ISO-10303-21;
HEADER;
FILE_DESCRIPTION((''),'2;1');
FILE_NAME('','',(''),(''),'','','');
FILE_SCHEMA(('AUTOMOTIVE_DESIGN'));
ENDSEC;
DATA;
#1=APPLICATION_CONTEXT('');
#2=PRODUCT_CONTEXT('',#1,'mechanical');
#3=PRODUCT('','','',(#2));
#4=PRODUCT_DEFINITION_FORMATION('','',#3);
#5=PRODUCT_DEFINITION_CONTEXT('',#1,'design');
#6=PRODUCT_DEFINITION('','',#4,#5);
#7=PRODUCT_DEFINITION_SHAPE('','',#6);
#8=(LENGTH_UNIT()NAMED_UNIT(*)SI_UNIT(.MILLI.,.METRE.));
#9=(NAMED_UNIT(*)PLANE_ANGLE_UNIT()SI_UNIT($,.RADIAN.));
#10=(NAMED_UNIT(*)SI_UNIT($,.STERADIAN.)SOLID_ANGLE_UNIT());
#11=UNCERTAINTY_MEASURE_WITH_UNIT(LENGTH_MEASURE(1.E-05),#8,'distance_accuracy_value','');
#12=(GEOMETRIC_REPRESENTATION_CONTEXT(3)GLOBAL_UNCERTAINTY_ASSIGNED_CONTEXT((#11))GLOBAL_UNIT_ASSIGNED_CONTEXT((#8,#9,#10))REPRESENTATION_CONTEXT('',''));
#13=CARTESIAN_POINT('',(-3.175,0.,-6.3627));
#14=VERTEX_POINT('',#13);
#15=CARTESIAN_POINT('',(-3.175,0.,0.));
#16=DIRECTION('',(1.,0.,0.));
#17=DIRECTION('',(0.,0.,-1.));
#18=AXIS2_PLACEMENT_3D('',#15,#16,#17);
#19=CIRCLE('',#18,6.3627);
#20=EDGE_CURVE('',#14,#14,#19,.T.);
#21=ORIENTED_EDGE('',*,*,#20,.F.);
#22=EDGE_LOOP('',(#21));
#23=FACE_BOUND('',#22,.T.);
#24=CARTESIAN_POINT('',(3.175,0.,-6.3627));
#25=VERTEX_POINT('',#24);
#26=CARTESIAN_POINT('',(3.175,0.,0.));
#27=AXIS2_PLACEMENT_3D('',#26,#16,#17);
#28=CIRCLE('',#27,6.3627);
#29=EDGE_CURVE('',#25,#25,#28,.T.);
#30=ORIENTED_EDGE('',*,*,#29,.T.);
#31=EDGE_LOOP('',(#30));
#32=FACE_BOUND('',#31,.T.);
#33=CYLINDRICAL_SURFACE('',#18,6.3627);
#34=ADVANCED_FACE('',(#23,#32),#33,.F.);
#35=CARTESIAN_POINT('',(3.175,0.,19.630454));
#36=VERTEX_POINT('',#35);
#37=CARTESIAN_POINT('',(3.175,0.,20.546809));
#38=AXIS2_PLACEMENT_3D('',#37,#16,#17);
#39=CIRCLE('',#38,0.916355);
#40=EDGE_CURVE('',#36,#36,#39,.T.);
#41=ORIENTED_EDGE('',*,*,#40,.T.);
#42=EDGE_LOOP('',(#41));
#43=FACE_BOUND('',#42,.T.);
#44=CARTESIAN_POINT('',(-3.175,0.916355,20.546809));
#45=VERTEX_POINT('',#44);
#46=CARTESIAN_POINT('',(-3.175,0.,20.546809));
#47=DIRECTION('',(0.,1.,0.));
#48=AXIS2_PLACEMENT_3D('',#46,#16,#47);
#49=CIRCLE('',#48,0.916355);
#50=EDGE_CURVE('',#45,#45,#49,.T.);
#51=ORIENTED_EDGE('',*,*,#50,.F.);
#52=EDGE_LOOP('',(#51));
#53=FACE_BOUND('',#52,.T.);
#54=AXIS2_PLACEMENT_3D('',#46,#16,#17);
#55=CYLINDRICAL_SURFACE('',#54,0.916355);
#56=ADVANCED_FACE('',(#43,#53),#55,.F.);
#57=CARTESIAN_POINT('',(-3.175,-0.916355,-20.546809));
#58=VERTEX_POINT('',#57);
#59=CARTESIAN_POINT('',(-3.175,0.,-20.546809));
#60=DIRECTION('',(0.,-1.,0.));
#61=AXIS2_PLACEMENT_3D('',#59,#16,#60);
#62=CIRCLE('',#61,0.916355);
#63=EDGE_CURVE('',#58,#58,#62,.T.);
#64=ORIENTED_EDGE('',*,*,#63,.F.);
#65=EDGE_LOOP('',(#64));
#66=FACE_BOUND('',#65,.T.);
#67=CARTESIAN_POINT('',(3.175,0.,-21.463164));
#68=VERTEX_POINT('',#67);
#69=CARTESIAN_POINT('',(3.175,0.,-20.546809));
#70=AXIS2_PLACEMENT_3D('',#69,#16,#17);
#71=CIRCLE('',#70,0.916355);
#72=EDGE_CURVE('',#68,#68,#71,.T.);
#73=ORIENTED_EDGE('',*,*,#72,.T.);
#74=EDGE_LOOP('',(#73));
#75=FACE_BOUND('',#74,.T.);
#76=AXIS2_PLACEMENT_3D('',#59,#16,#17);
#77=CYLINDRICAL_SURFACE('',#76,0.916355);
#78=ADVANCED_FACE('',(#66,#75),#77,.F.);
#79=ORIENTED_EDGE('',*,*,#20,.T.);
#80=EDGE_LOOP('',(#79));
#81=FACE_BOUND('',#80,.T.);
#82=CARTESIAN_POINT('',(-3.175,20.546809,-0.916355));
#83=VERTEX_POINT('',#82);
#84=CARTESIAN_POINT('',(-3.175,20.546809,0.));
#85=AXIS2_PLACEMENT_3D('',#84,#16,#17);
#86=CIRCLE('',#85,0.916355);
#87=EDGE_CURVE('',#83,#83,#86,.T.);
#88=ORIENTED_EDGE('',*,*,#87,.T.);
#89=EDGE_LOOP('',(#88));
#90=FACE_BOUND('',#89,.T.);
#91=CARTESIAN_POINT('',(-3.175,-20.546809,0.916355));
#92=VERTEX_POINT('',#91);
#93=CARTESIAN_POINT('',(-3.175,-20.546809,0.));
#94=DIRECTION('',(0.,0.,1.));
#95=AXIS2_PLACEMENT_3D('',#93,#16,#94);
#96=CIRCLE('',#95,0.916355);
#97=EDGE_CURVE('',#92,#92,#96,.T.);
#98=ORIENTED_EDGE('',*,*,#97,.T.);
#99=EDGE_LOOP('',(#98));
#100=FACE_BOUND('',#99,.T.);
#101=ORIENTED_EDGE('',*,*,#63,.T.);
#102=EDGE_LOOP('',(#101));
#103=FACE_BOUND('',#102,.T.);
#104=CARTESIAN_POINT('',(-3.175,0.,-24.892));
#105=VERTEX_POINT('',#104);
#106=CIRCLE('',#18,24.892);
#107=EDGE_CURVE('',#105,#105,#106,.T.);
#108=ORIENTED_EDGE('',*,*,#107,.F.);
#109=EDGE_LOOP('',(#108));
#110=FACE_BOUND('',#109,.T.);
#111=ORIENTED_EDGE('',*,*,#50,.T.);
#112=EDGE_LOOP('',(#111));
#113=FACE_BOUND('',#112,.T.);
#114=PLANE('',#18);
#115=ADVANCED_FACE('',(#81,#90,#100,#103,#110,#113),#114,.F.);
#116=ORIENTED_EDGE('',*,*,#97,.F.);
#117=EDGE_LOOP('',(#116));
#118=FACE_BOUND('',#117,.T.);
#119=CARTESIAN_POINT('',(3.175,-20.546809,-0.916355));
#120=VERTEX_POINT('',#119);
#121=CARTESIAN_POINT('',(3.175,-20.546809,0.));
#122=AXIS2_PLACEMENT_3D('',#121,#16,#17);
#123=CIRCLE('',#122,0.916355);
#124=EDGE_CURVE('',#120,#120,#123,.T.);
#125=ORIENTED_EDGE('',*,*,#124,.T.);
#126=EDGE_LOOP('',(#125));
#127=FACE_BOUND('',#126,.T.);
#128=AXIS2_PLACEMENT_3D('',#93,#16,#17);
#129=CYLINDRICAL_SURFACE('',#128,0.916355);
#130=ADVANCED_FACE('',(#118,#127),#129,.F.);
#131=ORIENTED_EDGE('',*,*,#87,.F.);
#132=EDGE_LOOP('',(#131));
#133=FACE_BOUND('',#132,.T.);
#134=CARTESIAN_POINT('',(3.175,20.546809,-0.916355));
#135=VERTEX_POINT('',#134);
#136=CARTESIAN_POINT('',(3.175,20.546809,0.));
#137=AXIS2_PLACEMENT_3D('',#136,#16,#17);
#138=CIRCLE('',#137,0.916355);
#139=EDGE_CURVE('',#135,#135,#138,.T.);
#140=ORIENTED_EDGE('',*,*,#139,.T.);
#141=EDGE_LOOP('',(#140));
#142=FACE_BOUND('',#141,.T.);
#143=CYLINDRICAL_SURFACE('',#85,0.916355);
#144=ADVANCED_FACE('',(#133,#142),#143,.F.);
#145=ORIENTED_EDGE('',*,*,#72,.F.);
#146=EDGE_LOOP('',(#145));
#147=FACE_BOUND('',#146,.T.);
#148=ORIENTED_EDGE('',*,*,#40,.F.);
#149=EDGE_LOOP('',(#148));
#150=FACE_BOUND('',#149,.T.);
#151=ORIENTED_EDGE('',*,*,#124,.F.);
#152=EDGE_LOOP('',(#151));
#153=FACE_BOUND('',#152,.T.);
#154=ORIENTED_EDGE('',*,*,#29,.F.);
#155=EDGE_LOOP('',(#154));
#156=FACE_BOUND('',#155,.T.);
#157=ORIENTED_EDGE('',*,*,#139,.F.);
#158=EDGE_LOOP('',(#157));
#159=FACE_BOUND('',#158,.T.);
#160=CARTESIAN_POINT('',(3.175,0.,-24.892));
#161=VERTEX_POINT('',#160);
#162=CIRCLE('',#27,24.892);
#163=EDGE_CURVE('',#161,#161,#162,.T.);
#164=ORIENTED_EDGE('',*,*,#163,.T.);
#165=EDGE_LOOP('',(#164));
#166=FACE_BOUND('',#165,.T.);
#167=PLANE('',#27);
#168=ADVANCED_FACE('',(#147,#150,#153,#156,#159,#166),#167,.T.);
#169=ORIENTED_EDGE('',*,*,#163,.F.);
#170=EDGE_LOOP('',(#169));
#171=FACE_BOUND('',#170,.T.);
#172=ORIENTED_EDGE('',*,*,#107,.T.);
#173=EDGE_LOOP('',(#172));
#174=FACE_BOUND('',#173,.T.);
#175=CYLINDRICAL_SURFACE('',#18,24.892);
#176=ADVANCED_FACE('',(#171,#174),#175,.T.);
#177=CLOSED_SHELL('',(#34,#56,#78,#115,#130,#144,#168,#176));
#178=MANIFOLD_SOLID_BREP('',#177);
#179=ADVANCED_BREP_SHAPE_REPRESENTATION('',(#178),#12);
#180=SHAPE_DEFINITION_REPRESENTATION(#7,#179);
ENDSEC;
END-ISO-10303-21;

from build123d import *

# Parameters (mm, degrees)
BOSS_EXTRUDE1_DEPTH      = 3.175
BOSS_EXTRUDE1_DEPTH_BACK = 3.175
SKETCH1_R                = 24.892
SKETCH1_R_2              = 6.3627
SKETCH2_R                = 0.916354932
CUT_EXTRUDE1_DEPTH       = 36.77073983
CIRPATTERN1_COUNT        = 4


with BuildPart() as part:
    # Sketch1 → Boss-Extrude1 (new, two sides: drawn at the far end of the back side and taken through both)
    with BuildSketch(Plane(origin=(0, 0, 0), x_dir=(0, 0, -1), z_dir=(1, 0, 0)).offset(-BOSS_EXTRUDE1_DEPTH_BACK)):
        Circle(SKETCH1_R)
        Circle(SKETCH1_R_2, mode=Mode.SUBTRACT)
    extrude(amount=BOSS_EXTRUDE1_DEPTH + BOSS_EXTRUDE1_DEPTH_BACK)

    # Sketch2 → Cut-Extrude1 (cut, symmetric)
    with BuildSketch(Plane(origin=(3.175, 0, 0), x_dir=(0, 0, -1), z_dir=(1, 0, 0))):
        with Locations((0, 20.546808672)):
            Circle(SKETCH2_R)
    cut_extrude1 = extrude(amount=CUT_EXTRUDE1_DEPTH, both=True, mode=Mode.SUBTRACT)

    # CirPattern1: Cut-Extrude1 ×4 about axis
    cirpattern1_axis = Axis((3.175, 0, 0), (1, 0, 0))
    for i in range(1, CIRPATTERN1_COUNT):
        add(cut_extrude1.rotate(cirpattern1_axis, i * 360 / CIRPATTERN1_COUNT), mode=Mode.SUBTRACT)


solid = part.part
